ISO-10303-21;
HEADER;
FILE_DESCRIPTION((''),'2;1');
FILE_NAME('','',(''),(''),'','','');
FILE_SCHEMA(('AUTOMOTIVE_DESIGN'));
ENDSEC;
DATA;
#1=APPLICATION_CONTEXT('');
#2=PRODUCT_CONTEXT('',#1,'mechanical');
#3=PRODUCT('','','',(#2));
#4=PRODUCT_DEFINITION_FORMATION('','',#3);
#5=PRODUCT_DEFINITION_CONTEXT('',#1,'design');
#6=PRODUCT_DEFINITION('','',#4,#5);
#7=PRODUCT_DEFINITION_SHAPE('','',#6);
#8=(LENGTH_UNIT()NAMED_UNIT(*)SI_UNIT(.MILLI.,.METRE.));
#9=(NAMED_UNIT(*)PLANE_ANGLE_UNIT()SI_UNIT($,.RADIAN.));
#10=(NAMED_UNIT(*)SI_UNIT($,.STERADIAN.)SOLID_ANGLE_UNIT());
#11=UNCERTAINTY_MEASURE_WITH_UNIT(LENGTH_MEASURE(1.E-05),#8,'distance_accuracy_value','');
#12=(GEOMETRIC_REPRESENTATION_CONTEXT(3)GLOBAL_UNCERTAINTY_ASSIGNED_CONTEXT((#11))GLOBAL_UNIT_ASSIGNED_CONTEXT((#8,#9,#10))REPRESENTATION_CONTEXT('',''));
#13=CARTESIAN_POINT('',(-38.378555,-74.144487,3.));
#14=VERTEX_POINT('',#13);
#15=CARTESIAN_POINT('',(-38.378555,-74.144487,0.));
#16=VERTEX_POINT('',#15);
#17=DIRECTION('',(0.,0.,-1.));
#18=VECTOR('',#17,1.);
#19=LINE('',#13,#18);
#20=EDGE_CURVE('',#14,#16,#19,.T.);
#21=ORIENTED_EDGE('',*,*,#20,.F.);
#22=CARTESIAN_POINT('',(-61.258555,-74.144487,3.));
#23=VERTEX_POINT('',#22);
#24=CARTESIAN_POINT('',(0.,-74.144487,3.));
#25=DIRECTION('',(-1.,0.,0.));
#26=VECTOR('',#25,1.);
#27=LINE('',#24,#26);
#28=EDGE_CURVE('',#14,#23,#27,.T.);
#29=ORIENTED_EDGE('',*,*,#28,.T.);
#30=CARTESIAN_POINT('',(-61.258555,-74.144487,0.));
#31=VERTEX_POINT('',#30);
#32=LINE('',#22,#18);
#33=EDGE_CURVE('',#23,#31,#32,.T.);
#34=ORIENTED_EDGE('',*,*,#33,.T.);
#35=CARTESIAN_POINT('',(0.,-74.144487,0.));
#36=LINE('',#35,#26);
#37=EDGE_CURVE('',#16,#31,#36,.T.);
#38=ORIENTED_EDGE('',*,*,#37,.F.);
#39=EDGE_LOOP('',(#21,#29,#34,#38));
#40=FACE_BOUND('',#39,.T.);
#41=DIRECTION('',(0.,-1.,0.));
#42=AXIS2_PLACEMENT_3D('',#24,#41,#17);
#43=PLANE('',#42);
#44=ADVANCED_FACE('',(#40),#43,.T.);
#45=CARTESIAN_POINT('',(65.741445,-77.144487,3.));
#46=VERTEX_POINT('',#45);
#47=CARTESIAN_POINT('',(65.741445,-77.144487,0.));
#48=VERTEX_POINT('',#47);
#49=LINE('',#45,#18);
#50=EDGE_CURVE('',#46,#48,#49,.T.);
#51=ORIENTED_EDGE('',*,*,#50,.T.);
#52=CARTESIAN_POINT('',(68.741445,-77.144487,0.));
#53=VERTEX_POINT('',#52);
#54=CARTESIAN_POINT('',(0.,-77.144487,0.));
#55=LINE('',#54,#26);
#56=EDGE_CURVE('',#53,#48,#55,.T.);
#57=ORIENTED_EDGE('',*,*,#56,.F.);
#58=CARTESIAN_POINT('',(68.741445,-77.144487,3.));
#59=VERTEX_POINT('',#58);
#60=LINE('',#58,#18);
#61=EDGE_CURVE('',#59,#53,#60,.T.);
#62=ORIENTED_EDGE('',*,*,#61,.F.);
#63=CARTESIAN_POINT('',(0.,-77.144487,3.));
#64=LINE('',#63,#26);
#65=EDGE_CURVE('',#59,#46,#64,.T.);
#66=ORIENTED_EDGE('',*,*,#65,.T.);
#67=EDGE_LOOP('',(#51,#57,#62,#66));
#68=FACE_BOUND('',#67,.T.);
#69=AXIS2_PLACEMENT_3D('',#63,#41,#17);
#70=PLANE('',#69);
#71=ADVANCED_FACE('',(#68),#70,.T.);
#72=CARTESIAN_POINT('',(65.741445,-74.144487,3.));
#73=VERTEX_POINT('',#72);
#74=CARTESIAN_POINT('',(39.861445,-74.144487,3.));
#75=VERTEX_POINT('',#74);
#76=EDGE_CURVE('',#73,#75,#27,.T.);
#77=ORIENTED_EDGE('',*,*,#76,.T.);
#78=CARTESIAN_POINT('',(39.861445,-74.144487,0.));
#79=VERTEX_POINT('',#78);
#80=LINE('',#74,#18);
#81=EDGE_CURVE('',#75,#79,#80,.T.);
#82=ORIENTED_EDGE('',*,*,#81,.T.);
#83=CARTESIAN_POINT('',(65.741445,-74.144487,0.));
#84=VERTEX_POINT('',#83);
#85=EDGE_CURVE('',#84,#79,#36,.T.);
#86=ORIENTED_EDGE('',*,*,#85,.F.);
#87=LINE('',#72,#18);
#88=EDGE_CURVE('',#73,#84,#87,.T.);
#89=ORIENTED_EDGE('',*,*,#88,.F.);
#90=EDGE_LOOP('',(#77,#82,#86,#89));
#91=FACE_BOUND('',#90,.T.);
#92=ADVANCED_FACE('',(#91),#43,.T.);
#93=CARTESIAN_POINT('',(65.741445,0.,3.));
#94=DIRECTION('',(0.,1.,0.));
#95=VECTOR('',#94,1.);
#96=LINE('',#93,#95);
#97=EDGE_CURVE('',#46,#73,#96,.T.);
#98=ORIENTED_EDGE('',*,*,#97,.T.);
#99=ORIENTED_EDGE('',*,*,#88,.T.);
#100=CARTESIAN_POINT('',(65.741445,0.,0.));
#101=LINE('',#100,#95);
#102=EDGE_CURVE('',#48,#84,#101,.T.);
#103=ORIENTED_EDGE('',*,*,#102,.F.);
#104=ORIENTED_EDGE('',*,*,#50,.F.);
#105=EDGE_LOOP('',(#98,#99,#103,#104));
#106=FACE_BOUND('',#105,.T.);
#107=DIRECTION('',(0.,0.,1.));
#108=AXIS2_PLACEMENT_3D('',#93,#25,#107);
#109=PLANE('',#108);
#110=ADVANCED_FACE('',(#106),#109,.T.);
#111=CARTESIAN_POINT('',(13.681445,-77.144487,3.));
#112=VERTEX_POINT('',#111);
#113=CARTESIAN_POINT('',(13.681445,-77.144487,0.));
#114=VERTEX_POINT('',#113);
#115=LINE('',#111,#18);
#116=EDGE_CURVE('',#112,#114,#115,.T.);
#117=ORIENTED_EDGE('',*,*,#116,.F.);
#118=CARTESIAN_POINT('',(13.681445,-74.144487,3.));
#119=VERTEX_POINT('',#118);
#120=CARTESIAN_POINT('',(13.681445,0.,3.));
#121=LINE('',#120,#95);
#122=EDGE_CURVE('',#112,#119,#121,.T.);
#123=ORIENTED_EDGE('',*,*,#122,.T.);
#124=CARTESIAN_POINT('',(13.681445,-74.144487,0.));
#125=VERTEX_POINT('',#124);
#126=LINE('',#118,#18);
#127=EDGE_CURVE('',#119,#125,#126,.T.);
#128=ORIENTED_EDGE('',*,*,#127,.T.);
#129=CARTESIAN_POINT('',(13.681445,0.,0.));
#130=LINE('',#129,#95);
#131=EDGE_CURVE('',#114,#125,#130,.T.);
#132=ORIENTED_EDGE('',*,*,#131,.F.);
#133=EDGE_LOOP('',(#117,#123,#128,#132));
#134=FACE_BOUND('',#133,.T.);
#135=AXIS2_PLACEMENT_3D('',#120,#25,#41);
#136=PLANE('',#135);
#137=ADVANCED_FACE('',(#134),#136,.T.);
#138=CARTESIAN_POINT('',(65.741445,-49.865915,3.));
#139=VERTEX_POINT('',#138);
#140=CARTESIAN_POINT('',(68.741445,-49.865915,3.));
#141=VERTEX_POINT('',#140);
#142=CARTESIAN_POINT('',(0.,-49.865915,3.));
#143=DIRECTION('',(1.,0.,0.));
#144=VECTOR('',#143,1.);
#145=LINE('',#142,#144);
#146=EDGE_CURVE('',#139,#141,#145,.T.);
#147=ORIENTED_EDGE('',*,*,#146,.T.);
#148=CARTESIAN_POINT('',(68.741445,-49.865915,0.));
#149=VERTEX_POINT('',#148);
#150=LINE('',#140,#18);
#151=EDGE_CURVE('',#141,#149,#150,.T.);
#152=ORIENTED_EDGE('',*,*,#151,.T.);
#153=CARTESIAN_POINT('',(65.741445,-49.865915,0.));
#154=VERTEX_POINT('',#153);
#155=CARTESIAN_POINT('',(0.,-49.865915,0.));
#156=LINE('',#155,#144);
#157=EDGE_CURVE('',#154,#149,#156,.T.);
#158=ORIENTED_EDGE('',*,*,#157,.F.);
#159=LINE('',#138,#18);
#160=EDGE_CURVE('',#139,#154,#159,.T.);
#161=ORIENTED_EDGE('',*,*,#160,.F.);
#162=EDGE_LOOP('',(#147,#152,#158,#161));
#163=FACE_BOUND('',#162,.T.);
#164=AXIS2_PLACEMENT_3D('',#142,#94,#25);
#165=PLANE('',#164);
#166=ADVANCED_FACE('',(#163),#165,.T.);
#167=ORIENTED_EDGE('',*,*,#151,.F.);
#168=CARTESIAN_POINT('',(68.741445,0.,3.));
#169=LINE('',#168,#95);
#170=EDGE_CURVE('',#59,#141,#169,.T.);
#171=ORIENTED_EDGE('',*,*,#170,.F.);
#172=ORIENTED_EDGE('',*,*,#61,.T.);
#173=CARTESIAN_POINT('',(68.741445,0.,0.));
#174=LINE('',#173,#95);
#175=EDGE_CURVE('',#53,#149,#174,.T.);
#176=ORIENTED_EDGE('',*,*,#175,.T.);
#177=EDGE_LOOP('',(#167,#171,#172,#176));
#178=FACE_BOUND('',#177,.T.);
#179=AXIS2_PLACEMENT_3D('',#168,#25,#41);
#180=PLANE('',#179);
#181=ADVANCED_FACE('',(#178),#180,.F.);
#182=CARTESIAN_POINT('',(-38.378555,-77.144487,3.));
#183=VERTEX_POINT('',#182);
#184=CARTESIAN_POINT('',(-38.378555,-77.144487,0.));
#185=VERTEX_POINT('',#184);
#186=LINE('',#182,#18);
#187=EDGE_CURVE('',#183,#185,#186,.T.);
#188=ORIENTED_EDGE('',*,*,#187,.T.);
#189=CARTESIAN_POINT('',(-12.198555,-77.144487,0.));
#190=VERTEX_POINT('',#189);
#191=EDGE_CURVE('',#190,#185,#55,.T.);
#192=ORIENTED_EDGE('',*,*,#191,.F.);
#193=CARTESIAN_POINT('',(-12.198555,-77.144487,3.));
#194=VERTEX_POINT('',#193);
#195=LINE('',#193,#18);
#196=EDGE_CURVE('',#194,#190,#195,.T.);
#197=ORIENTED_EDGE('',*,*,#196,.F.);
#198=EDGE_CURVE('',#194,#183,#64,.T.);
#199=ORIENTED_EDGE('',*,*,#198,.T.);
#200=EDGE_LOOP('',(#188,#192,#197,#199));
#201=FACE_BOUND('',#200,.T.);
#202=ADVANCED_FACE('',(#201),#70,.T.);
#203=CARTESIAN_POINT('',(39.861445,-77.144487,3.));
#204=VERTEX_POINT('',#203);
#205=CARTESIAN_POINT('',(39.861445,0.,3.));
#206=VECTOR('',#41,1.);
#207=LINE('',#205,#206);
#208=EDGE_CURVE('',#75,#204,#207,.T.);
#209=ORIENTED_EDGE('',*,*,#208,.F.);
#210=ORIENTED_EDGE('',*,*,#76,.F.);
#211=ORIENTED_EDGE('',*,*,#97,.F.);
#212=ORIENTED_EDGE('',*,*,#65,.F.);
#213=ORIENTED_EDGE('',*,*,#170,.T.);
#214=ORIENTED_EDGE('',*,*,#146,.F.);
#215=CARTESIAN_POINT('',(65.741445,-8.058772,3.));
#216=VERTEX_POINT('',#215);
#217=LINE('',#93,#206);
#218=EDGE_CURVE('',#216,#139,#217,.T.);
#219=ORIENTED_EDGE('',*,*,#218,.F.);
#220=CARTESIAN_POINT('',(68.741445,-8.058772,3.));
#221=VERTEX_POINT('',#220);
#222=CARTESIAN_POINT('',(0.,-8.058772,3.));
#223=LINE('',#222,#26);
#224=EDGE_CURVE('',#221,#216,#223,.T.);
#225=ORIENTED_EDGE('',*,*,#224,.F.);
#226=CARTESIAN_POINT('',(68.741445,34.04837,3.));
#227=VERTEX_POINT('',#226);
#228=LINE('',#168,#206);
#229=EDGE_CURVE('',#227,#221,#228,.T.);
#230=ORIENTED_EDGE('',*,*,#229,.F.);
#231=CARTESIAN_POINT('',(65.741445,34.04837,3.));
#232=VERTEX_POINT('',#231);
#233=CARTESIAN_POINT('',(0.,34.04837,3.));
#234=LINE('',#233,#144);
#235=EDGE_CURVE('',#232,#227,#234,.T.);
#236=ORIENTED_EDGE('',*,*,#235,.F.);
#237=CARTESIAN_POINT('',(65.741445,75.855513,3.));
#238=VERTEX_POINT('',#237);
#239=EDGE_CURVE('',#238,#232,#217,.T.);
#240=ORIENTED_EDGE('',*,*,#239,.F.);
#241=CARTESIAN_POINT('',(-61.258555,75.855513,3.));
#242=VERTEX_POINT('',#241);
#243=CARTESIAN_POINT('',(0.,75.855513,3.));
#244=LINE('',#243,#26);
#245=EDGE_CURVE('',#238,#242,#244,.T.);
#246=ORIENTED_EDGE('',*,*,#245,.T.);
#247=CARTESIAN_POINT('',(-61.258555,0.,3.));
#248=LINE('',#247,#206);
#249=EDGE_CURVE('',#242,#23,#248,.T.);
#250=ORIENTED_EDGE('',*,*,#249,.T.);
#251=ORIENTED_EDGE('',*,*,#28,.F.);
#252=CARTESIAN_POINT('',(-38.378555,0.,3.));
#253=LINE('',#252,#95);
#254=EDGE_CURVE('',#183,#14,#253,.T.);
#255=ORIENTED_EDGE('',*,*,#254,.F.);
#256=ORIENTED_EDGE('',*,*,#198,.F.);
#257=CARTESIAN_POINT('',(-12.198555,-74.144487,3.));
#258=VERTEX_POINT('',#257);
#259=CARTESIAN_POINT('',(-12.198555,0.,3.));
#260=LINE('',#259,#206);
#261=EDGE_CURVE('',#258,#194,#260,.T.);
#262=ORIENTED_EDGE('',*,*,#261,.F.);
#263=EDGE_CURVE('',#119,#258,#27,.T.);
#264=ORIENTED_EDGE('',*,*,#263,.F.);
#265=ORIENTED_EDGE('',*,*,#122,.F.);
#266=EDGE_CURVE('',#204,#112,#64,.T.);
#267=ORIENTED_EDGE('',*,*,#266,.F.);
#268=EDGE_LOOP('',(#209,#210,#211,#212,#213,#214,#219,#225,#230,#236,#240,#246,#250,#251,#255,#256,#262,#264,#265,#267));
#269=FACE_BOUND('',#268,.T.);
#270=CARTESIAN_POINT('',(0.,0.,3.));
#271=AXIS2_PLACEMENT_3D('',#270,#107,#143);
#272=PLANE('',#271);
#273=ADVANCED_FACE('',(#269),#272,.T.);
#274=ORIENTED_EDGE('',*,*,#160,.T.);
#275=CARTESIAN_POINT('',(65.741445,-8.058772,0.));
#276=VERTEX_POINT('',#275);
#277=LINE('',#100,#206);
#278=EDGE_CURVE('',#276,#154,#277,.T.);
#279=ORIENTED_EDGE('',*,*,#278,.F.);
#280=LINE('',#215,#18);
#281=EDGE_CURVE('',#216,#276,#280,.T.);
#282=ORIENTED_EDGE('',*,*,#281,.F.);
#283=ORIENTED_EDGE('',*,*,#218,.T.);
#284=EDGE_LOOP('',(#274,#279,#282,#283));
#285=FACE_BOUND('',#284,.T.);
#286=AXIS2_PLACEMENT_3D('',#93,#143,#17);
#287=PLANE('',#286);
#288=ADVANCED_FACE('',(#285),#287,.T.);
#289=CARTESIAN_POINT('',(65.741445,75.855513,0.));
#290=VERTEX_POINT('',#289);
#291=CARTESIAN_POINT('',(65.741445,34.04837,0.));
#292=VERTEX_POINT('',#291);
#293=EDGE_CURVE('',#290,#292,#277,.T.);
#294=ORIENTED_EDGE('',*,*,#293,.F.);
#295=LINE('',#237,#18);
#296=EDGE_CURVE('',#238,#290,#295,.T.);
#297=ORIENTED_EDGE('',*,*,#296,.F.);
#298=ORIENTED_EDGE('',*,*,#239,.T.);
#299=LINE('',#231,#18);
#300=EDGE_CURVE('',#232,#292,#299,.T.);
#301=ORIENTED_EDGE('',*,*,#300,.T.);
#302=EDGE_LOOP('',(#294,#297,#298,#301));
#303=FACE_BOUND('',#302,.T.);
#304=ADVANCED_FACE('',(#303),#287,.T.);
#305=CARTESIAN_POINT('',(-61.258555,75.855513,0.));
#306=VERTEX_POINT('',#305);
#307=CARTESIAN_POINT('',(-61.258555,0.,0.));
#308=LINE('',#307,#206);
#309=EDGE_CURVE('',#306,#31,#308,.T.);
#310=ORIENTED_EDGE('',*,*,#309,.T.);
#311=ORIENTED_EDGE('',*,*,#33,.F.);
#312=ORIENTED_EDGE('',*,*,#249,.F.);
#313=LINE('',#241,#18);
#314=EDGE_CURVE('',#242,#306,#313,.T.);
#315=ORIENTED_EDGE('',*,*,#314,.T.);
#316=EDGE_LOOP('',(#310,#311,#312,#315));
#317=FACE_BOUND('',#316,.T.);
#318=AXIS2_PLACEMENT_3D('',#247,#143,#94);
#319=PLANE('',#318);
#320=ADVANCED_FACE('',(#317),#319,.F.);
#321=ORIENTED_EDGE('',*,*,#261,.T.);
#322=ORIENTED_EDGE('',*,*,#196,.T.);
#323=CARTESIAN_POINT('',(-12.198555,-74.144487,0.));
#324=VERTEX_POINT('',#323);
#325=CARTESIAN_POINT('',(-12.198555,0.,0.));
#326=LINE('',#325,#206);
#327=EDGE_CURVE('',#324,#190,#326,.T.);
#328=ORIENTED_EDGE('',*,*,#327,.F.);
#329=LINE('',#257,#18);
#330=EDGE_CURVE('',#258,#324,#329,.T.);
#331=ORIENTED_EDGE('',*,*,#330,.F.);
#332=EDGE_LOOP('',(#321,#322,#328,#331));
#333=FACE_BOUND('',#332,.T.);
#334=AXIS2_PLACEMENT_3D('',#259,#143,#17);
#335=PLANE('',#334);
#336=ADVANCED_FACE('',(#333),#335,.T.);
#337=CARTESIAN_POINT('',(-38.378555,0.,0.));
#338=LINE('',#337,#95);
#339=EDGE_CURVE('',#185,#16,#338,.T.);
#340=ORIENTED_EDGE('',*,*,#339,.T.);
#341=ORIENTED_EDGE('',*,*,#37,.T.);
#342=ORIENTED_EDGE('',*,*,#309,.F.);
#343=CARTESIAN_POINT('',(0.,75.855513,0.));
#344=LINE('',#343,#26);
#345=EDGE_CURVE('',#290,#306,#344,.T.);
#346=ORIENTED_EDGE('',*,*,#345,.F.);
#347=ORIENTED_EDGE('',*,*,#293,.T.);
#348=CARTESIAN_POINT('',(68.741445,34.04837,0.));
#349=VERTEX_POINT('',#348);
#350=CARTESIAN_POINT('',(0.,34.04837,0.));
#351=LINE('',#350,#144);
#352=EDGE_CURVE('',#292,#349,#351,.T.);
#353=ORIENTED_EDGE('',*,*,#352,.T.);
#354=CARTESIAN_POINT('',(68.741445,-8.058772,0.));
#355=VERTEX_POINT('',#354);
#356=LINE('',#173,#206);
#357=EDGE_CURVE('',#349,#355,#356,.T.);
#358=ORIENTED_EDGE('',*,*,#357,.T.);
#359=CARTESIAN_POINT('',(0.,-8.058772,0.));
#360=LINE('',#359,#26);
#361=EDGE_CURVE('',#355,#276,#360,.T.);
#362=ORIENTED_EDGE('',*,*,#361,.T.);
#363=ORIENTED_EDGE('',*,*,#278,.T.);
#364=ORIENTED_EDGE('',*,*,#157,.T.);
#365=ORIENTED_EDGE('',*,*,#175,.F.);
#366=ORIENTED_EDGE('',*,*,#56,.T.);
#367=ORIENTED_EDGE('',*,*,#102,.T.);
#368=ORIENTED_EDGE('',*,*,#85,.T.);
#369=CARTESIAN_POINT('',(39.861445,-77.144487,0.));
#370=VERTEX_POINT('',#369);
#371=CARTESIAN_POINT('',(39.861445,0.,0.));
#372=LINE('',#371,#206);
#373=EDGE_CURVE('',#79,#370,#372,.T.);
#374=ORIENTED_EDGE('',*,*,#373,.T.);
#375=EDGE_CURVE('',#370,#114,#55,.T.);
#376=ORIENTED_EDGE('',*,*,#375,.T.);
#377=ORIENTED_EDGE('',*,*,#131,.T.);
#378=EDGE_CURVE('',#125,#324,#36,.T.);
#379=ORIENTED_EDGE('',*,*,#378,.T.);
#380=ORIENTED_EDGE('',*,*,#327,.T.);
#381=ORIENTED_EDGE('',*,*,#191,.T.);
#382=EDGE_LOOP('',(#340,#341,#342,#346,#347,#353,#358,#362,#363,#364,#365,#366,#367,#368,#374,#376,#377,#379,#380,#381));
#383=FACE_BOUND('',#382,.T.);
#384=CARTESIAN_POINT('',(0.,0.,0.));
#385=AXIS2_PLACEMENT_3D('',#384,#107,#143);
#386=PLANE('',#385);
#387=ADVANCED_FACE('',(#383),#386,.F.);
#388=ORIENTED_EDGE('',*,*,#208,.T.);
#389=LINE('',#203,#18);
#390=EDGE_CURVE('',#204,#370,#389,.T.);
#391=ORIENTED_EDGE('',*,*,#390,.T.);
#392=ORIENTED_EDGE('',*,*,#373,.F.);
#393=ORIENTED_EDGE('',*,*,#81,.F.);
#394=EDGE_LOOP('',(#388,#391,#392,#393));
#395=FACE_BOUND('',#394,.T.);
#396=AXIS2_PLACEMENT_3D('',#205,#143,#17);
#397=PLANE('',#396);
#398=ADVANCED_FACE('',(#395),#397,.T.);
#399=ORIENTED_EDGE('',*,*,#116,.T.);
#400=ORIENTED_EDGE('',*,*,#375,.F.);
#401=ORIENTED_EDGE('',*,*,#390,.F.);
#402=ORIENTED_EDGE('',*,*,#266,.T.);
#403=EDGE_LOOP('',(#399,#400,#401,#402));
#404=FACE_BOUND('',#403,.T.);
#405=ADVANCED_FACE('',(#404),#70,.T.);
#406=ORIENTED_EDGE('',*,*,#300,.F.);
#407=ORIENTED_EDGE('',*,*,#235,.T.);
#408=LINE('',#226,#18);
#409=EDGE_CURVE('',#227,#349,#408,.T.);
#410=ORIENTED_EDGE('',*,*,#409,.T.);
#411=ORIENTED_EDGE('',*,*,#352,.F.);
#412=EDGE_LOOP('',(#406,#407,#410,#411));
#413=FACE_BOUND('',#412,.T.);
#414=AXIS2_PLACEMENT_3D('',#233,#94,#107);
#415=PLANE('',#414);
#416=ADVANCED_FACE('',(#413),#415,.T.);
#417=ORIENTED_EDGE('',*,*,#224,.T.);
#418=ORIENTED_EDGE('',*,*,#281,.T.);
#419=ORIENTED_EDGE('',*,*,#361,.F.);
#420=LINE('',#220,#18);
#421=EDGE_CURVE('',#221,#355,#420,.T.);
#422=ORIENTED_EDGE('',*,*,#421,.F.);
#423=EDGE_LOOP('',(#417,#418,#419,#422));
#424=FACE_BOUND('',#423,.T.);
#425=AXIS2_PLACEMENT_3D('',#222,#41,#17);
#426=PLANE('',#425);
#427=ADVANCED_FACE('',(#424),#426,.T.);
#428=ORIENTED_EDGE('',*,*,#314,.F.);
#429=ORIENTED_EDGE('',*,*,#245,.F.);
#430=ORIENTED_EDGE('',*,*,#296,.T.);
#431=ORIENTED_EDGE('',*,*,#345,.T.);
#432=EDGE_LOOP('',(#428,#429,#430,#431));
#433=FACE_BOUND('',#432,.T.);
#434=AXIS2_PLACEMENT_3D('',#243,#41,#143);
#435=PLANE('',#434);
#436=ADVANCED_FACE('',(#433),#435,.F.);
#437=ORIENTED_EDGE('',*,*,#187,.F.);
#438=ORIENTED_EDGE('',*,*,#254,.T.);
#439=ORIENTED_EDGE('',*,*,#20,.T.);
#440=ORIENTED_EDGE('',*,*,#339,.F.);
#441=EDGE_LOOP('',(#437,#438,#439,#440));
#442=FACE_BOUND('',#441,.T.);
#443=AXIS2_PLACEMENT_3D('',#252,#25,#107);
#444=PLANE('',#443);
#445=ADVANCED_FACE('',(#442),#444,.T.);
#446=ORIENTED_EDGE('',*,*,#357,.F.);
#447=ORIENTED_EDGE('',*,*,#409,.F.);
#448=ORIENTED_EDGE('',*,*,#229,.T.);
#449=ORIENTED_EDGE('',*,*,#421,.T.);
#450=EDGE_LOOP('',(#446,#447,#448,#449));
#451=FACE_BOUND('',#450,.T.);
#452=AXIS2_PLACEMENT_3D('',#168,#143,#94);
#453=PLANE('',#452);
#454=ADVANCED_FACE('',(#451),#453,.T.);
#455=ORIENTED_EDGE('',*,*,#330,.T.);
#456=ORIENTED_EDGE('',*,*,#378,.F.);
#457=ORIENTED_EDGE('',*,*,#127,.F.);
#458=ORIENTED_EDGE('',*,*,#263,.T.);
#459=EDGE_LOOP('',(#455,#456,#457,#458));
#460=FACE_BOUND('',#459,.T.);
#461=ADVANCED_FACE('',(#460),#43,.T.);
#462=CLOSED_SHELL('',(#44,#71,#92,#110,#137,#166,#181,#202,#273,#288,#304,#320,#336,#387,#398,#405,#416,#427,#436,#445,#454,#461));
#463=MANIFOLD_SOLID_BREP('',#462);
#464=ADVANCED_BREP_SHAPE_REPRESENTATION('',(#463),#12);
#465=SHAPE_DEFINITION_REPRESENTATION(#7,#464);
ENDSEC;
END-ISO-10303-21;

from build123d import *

# Parameters (mm, degrees)
BOSS_EXTRUDE1_DEPTH = 3


with BuildPart() as part:
    # Sketch1 → Boss-Extrude1 (new body)
    with BuildSketch(Plane.XY):
        Polygon((65.741444867, -77.144486692), (68.741444867, -77.144486692), (68.741444867, -49.865915272), (65.741444867, -49.865915272), (65.741444867, -8.058772412), (68.741444867, -8.058772412), (68.741444867, 34.048370448), (65.741444867, 34.048370448), (65.741444867, 75.855513308), (-61.258555133, 75.855513308), (-61.258555133, -74.144486692), (-38.378555133, -74.144486692), (-38.378555133, -77.144486692), (-12.198555133, -77.144486692), (-12.198555133, -74.144486692), (13.681444867, -74.144486692), (13.681444867, -77.144486692), (39.861444867, -77.144486692), (39.861444867, -74.144486692), (65.741444867, -74.144486692), align=None)
    extrude(amount=BOSS_EXTRUDE1_DEPTH)


solid = part.part
